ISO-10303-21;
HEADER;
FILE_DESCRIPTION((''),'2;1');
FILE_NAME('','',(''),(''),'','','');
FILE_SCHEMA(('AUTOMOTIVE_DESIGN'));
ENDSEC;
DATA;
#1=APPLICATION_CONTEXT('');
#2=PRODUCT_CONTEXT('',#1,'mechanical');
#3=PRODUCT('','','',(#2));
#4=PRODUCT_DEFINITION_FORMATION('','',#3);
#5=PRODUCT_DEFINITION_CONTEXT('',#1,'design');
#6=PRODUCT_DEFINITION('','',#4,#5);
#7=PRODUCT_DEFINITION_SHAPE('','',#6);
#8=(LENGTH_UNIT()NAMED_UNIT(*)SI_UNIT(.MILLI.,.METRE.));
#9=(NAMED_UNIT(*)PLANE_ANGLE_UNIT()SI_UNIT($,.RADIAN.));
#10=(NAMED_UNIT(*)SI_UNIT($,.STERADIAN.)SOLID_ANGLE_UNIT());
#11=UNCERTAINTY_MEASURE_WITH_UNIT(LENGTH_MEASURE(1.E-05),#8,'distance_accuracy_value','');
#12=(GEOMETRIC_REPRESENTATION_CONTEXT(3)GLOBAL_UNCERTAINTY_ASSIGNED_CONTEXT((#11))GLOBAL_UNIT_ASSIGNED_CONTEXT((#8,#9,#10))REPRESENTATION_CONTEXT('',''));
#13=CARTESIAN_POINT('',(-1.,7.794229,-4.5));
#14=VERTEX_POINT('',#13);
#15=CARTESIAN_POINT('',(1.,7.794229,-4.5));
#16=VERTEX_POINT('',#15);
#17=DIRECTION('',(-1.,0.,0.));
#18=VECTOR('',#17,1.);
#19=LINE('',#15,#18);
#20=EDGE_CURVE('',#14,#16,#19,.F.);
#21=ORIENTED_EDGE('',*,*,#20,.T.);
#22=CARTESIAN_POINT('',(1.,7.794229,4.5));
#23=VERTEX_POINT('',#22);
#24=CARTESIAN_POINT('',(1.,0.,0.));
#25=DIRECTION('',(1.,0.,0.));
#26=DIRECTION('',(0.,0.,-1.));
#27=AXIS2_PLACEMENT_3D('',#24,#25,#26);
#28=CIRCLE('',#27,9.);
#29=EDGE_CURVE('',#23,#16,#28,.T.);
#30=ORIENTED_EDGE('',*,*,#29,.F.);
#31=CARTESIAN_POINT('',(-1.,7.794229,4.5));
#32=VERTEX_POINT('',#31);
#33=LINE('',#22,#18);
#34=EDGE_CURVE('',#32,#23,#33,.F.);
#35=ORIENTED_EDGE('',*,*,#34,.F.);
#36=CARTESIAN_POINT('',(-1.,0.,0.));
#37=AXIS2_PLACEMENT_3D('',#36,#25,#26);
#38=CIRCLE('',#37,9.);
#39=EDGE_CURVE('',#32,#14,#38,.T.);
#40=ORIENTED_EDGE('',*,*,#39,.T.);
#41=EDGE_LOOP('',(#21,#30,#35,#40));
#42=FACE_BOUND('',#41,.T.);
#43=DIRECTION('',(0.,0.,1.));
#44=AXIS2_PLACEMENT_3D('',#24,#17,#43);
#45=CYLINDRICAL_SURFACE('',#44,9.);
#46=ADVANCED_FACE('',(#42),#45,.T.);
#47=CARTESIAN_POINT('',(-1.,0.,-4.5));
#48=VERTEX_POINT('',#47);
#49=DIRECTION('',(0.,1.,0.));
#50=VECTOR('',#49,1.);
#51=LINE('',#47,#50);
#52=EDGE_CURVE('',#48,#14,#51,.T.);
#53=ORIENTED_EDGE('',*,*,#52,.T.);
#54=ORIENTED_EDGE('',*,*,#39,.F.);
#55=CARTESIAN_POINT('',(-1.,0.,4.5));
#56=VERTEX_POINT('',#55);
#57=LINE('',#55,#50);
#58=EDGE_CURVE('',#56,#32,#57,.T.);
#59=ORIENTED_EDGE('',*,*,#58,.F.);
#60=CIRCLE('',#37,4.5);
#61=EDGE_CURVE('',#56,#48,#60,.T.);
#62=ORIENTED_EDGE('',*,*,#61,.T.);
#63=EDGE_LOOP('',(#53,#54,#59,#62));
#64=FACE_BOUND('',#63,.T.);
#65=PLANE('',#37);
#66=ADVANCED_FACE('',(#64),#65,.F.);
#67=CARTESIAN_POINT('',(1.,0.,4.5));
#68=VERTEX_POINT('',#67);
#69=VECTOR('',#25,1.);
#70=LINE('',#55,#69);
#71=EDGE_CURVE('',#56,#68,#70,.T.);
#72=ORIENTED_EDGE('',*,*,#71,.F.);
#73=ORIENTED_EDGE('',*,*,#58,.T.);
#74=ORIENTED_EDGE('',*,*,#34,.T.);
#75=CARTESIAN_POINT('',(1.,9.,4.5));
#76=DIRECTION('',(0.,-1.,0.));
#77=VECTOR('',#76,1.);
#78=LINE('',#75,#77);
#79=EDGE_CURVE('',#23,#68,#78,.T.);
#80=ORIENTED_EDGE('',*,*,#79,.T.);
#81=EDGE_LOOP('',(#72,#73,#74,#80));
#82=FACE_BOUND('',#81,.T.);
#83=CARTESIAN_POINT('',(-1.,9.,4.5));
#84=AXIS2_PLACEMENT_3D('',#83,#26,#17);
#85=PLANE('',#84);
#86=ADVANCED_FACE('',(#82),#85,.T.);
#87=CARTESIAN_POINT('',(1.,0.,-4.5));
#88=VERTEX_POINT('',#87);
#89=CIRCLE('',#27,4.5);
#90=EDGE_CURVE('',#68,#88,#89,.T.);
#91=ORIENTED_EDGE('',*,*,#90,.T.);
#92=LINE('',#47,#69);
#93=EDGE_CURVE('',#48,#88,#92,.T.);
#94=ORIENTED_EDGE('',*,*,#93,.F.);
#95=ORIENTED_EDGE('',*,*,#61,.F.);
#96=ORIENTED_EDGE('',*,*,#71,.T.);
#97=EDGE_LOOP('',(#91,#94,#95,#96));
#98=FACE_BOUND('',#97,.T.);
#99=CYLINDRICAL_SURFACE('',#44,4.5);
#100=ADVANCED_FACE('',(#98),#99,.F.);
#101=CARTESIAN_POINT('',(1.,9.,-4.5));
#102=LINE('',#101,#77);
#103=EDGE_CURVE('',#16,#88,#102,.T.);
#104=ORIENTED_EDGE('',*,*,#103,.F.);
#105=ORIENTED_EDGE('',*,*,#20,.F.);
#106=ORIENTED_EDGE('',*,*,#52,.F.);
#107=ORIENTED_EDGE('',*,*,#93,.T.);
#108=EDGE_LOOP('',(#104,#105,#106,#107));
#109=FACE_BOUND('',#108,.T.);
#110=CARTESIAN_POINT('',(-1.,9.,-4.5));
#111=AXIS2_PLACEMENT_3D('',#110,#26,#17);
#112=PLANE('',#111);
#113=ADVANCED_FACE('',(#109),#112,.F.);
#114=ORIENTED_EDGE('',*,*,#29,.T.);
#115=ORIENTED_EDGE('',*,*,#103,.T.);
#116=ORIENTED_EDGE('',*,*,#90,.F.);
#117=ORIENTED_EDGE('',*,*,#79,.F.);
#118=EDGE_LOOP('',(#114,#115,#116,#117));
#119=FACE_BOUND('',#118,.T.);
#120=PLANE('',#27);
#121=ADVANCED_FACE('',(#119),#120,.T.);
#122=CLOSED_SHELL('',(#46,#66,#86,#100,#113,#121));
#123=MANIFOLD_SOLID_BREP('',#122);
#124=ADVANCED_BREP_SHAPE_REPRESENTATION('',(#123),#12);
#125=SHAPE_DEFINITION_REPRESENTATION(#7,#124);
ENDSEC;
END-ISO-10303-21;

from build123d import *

# Parameters (mm, degrees)
SKETCH1_R               = 9
SKETCH1_R_2             = 4.5
BOSS_EXTRUDE1_DEPTH     = 1
SKETCH3_W               = 2
SKETCH3_H               = 9
CUT_EXTRUDE_THIN1_DEPTH = 10


with BuildPart() as part:
    # Sketch1 → Boss-Extrude1 (new body, symmetric)
    with BuildSketch(Plane(origin=(0, 0, 0), x_dir=(0, 0, -1), z_dir=(1, 0, 0))):
        Circle(SKETCH1_R)
        Circle(SKETCH1_R_2, mode=Mode.SUBTRACT)
    extrude(amount=BOSS_EXTRUDE1_DEPTH, both=True)

    # Sketch3 → Cut-Extrude-Thin1 (cut, through all)
    with BuildSketch(Plane(origin=(0, 0, 0), x_dir=(1, 0, 0), z_dir=(0, 1, 0))):
        Rectangle(SKETCH3_W, SKETCH3_H)
    extrude(amount=CUT_EXTRUDE_THIN1_DEPTH, mode=Mode.SUBTRACT)


solid = part.part
